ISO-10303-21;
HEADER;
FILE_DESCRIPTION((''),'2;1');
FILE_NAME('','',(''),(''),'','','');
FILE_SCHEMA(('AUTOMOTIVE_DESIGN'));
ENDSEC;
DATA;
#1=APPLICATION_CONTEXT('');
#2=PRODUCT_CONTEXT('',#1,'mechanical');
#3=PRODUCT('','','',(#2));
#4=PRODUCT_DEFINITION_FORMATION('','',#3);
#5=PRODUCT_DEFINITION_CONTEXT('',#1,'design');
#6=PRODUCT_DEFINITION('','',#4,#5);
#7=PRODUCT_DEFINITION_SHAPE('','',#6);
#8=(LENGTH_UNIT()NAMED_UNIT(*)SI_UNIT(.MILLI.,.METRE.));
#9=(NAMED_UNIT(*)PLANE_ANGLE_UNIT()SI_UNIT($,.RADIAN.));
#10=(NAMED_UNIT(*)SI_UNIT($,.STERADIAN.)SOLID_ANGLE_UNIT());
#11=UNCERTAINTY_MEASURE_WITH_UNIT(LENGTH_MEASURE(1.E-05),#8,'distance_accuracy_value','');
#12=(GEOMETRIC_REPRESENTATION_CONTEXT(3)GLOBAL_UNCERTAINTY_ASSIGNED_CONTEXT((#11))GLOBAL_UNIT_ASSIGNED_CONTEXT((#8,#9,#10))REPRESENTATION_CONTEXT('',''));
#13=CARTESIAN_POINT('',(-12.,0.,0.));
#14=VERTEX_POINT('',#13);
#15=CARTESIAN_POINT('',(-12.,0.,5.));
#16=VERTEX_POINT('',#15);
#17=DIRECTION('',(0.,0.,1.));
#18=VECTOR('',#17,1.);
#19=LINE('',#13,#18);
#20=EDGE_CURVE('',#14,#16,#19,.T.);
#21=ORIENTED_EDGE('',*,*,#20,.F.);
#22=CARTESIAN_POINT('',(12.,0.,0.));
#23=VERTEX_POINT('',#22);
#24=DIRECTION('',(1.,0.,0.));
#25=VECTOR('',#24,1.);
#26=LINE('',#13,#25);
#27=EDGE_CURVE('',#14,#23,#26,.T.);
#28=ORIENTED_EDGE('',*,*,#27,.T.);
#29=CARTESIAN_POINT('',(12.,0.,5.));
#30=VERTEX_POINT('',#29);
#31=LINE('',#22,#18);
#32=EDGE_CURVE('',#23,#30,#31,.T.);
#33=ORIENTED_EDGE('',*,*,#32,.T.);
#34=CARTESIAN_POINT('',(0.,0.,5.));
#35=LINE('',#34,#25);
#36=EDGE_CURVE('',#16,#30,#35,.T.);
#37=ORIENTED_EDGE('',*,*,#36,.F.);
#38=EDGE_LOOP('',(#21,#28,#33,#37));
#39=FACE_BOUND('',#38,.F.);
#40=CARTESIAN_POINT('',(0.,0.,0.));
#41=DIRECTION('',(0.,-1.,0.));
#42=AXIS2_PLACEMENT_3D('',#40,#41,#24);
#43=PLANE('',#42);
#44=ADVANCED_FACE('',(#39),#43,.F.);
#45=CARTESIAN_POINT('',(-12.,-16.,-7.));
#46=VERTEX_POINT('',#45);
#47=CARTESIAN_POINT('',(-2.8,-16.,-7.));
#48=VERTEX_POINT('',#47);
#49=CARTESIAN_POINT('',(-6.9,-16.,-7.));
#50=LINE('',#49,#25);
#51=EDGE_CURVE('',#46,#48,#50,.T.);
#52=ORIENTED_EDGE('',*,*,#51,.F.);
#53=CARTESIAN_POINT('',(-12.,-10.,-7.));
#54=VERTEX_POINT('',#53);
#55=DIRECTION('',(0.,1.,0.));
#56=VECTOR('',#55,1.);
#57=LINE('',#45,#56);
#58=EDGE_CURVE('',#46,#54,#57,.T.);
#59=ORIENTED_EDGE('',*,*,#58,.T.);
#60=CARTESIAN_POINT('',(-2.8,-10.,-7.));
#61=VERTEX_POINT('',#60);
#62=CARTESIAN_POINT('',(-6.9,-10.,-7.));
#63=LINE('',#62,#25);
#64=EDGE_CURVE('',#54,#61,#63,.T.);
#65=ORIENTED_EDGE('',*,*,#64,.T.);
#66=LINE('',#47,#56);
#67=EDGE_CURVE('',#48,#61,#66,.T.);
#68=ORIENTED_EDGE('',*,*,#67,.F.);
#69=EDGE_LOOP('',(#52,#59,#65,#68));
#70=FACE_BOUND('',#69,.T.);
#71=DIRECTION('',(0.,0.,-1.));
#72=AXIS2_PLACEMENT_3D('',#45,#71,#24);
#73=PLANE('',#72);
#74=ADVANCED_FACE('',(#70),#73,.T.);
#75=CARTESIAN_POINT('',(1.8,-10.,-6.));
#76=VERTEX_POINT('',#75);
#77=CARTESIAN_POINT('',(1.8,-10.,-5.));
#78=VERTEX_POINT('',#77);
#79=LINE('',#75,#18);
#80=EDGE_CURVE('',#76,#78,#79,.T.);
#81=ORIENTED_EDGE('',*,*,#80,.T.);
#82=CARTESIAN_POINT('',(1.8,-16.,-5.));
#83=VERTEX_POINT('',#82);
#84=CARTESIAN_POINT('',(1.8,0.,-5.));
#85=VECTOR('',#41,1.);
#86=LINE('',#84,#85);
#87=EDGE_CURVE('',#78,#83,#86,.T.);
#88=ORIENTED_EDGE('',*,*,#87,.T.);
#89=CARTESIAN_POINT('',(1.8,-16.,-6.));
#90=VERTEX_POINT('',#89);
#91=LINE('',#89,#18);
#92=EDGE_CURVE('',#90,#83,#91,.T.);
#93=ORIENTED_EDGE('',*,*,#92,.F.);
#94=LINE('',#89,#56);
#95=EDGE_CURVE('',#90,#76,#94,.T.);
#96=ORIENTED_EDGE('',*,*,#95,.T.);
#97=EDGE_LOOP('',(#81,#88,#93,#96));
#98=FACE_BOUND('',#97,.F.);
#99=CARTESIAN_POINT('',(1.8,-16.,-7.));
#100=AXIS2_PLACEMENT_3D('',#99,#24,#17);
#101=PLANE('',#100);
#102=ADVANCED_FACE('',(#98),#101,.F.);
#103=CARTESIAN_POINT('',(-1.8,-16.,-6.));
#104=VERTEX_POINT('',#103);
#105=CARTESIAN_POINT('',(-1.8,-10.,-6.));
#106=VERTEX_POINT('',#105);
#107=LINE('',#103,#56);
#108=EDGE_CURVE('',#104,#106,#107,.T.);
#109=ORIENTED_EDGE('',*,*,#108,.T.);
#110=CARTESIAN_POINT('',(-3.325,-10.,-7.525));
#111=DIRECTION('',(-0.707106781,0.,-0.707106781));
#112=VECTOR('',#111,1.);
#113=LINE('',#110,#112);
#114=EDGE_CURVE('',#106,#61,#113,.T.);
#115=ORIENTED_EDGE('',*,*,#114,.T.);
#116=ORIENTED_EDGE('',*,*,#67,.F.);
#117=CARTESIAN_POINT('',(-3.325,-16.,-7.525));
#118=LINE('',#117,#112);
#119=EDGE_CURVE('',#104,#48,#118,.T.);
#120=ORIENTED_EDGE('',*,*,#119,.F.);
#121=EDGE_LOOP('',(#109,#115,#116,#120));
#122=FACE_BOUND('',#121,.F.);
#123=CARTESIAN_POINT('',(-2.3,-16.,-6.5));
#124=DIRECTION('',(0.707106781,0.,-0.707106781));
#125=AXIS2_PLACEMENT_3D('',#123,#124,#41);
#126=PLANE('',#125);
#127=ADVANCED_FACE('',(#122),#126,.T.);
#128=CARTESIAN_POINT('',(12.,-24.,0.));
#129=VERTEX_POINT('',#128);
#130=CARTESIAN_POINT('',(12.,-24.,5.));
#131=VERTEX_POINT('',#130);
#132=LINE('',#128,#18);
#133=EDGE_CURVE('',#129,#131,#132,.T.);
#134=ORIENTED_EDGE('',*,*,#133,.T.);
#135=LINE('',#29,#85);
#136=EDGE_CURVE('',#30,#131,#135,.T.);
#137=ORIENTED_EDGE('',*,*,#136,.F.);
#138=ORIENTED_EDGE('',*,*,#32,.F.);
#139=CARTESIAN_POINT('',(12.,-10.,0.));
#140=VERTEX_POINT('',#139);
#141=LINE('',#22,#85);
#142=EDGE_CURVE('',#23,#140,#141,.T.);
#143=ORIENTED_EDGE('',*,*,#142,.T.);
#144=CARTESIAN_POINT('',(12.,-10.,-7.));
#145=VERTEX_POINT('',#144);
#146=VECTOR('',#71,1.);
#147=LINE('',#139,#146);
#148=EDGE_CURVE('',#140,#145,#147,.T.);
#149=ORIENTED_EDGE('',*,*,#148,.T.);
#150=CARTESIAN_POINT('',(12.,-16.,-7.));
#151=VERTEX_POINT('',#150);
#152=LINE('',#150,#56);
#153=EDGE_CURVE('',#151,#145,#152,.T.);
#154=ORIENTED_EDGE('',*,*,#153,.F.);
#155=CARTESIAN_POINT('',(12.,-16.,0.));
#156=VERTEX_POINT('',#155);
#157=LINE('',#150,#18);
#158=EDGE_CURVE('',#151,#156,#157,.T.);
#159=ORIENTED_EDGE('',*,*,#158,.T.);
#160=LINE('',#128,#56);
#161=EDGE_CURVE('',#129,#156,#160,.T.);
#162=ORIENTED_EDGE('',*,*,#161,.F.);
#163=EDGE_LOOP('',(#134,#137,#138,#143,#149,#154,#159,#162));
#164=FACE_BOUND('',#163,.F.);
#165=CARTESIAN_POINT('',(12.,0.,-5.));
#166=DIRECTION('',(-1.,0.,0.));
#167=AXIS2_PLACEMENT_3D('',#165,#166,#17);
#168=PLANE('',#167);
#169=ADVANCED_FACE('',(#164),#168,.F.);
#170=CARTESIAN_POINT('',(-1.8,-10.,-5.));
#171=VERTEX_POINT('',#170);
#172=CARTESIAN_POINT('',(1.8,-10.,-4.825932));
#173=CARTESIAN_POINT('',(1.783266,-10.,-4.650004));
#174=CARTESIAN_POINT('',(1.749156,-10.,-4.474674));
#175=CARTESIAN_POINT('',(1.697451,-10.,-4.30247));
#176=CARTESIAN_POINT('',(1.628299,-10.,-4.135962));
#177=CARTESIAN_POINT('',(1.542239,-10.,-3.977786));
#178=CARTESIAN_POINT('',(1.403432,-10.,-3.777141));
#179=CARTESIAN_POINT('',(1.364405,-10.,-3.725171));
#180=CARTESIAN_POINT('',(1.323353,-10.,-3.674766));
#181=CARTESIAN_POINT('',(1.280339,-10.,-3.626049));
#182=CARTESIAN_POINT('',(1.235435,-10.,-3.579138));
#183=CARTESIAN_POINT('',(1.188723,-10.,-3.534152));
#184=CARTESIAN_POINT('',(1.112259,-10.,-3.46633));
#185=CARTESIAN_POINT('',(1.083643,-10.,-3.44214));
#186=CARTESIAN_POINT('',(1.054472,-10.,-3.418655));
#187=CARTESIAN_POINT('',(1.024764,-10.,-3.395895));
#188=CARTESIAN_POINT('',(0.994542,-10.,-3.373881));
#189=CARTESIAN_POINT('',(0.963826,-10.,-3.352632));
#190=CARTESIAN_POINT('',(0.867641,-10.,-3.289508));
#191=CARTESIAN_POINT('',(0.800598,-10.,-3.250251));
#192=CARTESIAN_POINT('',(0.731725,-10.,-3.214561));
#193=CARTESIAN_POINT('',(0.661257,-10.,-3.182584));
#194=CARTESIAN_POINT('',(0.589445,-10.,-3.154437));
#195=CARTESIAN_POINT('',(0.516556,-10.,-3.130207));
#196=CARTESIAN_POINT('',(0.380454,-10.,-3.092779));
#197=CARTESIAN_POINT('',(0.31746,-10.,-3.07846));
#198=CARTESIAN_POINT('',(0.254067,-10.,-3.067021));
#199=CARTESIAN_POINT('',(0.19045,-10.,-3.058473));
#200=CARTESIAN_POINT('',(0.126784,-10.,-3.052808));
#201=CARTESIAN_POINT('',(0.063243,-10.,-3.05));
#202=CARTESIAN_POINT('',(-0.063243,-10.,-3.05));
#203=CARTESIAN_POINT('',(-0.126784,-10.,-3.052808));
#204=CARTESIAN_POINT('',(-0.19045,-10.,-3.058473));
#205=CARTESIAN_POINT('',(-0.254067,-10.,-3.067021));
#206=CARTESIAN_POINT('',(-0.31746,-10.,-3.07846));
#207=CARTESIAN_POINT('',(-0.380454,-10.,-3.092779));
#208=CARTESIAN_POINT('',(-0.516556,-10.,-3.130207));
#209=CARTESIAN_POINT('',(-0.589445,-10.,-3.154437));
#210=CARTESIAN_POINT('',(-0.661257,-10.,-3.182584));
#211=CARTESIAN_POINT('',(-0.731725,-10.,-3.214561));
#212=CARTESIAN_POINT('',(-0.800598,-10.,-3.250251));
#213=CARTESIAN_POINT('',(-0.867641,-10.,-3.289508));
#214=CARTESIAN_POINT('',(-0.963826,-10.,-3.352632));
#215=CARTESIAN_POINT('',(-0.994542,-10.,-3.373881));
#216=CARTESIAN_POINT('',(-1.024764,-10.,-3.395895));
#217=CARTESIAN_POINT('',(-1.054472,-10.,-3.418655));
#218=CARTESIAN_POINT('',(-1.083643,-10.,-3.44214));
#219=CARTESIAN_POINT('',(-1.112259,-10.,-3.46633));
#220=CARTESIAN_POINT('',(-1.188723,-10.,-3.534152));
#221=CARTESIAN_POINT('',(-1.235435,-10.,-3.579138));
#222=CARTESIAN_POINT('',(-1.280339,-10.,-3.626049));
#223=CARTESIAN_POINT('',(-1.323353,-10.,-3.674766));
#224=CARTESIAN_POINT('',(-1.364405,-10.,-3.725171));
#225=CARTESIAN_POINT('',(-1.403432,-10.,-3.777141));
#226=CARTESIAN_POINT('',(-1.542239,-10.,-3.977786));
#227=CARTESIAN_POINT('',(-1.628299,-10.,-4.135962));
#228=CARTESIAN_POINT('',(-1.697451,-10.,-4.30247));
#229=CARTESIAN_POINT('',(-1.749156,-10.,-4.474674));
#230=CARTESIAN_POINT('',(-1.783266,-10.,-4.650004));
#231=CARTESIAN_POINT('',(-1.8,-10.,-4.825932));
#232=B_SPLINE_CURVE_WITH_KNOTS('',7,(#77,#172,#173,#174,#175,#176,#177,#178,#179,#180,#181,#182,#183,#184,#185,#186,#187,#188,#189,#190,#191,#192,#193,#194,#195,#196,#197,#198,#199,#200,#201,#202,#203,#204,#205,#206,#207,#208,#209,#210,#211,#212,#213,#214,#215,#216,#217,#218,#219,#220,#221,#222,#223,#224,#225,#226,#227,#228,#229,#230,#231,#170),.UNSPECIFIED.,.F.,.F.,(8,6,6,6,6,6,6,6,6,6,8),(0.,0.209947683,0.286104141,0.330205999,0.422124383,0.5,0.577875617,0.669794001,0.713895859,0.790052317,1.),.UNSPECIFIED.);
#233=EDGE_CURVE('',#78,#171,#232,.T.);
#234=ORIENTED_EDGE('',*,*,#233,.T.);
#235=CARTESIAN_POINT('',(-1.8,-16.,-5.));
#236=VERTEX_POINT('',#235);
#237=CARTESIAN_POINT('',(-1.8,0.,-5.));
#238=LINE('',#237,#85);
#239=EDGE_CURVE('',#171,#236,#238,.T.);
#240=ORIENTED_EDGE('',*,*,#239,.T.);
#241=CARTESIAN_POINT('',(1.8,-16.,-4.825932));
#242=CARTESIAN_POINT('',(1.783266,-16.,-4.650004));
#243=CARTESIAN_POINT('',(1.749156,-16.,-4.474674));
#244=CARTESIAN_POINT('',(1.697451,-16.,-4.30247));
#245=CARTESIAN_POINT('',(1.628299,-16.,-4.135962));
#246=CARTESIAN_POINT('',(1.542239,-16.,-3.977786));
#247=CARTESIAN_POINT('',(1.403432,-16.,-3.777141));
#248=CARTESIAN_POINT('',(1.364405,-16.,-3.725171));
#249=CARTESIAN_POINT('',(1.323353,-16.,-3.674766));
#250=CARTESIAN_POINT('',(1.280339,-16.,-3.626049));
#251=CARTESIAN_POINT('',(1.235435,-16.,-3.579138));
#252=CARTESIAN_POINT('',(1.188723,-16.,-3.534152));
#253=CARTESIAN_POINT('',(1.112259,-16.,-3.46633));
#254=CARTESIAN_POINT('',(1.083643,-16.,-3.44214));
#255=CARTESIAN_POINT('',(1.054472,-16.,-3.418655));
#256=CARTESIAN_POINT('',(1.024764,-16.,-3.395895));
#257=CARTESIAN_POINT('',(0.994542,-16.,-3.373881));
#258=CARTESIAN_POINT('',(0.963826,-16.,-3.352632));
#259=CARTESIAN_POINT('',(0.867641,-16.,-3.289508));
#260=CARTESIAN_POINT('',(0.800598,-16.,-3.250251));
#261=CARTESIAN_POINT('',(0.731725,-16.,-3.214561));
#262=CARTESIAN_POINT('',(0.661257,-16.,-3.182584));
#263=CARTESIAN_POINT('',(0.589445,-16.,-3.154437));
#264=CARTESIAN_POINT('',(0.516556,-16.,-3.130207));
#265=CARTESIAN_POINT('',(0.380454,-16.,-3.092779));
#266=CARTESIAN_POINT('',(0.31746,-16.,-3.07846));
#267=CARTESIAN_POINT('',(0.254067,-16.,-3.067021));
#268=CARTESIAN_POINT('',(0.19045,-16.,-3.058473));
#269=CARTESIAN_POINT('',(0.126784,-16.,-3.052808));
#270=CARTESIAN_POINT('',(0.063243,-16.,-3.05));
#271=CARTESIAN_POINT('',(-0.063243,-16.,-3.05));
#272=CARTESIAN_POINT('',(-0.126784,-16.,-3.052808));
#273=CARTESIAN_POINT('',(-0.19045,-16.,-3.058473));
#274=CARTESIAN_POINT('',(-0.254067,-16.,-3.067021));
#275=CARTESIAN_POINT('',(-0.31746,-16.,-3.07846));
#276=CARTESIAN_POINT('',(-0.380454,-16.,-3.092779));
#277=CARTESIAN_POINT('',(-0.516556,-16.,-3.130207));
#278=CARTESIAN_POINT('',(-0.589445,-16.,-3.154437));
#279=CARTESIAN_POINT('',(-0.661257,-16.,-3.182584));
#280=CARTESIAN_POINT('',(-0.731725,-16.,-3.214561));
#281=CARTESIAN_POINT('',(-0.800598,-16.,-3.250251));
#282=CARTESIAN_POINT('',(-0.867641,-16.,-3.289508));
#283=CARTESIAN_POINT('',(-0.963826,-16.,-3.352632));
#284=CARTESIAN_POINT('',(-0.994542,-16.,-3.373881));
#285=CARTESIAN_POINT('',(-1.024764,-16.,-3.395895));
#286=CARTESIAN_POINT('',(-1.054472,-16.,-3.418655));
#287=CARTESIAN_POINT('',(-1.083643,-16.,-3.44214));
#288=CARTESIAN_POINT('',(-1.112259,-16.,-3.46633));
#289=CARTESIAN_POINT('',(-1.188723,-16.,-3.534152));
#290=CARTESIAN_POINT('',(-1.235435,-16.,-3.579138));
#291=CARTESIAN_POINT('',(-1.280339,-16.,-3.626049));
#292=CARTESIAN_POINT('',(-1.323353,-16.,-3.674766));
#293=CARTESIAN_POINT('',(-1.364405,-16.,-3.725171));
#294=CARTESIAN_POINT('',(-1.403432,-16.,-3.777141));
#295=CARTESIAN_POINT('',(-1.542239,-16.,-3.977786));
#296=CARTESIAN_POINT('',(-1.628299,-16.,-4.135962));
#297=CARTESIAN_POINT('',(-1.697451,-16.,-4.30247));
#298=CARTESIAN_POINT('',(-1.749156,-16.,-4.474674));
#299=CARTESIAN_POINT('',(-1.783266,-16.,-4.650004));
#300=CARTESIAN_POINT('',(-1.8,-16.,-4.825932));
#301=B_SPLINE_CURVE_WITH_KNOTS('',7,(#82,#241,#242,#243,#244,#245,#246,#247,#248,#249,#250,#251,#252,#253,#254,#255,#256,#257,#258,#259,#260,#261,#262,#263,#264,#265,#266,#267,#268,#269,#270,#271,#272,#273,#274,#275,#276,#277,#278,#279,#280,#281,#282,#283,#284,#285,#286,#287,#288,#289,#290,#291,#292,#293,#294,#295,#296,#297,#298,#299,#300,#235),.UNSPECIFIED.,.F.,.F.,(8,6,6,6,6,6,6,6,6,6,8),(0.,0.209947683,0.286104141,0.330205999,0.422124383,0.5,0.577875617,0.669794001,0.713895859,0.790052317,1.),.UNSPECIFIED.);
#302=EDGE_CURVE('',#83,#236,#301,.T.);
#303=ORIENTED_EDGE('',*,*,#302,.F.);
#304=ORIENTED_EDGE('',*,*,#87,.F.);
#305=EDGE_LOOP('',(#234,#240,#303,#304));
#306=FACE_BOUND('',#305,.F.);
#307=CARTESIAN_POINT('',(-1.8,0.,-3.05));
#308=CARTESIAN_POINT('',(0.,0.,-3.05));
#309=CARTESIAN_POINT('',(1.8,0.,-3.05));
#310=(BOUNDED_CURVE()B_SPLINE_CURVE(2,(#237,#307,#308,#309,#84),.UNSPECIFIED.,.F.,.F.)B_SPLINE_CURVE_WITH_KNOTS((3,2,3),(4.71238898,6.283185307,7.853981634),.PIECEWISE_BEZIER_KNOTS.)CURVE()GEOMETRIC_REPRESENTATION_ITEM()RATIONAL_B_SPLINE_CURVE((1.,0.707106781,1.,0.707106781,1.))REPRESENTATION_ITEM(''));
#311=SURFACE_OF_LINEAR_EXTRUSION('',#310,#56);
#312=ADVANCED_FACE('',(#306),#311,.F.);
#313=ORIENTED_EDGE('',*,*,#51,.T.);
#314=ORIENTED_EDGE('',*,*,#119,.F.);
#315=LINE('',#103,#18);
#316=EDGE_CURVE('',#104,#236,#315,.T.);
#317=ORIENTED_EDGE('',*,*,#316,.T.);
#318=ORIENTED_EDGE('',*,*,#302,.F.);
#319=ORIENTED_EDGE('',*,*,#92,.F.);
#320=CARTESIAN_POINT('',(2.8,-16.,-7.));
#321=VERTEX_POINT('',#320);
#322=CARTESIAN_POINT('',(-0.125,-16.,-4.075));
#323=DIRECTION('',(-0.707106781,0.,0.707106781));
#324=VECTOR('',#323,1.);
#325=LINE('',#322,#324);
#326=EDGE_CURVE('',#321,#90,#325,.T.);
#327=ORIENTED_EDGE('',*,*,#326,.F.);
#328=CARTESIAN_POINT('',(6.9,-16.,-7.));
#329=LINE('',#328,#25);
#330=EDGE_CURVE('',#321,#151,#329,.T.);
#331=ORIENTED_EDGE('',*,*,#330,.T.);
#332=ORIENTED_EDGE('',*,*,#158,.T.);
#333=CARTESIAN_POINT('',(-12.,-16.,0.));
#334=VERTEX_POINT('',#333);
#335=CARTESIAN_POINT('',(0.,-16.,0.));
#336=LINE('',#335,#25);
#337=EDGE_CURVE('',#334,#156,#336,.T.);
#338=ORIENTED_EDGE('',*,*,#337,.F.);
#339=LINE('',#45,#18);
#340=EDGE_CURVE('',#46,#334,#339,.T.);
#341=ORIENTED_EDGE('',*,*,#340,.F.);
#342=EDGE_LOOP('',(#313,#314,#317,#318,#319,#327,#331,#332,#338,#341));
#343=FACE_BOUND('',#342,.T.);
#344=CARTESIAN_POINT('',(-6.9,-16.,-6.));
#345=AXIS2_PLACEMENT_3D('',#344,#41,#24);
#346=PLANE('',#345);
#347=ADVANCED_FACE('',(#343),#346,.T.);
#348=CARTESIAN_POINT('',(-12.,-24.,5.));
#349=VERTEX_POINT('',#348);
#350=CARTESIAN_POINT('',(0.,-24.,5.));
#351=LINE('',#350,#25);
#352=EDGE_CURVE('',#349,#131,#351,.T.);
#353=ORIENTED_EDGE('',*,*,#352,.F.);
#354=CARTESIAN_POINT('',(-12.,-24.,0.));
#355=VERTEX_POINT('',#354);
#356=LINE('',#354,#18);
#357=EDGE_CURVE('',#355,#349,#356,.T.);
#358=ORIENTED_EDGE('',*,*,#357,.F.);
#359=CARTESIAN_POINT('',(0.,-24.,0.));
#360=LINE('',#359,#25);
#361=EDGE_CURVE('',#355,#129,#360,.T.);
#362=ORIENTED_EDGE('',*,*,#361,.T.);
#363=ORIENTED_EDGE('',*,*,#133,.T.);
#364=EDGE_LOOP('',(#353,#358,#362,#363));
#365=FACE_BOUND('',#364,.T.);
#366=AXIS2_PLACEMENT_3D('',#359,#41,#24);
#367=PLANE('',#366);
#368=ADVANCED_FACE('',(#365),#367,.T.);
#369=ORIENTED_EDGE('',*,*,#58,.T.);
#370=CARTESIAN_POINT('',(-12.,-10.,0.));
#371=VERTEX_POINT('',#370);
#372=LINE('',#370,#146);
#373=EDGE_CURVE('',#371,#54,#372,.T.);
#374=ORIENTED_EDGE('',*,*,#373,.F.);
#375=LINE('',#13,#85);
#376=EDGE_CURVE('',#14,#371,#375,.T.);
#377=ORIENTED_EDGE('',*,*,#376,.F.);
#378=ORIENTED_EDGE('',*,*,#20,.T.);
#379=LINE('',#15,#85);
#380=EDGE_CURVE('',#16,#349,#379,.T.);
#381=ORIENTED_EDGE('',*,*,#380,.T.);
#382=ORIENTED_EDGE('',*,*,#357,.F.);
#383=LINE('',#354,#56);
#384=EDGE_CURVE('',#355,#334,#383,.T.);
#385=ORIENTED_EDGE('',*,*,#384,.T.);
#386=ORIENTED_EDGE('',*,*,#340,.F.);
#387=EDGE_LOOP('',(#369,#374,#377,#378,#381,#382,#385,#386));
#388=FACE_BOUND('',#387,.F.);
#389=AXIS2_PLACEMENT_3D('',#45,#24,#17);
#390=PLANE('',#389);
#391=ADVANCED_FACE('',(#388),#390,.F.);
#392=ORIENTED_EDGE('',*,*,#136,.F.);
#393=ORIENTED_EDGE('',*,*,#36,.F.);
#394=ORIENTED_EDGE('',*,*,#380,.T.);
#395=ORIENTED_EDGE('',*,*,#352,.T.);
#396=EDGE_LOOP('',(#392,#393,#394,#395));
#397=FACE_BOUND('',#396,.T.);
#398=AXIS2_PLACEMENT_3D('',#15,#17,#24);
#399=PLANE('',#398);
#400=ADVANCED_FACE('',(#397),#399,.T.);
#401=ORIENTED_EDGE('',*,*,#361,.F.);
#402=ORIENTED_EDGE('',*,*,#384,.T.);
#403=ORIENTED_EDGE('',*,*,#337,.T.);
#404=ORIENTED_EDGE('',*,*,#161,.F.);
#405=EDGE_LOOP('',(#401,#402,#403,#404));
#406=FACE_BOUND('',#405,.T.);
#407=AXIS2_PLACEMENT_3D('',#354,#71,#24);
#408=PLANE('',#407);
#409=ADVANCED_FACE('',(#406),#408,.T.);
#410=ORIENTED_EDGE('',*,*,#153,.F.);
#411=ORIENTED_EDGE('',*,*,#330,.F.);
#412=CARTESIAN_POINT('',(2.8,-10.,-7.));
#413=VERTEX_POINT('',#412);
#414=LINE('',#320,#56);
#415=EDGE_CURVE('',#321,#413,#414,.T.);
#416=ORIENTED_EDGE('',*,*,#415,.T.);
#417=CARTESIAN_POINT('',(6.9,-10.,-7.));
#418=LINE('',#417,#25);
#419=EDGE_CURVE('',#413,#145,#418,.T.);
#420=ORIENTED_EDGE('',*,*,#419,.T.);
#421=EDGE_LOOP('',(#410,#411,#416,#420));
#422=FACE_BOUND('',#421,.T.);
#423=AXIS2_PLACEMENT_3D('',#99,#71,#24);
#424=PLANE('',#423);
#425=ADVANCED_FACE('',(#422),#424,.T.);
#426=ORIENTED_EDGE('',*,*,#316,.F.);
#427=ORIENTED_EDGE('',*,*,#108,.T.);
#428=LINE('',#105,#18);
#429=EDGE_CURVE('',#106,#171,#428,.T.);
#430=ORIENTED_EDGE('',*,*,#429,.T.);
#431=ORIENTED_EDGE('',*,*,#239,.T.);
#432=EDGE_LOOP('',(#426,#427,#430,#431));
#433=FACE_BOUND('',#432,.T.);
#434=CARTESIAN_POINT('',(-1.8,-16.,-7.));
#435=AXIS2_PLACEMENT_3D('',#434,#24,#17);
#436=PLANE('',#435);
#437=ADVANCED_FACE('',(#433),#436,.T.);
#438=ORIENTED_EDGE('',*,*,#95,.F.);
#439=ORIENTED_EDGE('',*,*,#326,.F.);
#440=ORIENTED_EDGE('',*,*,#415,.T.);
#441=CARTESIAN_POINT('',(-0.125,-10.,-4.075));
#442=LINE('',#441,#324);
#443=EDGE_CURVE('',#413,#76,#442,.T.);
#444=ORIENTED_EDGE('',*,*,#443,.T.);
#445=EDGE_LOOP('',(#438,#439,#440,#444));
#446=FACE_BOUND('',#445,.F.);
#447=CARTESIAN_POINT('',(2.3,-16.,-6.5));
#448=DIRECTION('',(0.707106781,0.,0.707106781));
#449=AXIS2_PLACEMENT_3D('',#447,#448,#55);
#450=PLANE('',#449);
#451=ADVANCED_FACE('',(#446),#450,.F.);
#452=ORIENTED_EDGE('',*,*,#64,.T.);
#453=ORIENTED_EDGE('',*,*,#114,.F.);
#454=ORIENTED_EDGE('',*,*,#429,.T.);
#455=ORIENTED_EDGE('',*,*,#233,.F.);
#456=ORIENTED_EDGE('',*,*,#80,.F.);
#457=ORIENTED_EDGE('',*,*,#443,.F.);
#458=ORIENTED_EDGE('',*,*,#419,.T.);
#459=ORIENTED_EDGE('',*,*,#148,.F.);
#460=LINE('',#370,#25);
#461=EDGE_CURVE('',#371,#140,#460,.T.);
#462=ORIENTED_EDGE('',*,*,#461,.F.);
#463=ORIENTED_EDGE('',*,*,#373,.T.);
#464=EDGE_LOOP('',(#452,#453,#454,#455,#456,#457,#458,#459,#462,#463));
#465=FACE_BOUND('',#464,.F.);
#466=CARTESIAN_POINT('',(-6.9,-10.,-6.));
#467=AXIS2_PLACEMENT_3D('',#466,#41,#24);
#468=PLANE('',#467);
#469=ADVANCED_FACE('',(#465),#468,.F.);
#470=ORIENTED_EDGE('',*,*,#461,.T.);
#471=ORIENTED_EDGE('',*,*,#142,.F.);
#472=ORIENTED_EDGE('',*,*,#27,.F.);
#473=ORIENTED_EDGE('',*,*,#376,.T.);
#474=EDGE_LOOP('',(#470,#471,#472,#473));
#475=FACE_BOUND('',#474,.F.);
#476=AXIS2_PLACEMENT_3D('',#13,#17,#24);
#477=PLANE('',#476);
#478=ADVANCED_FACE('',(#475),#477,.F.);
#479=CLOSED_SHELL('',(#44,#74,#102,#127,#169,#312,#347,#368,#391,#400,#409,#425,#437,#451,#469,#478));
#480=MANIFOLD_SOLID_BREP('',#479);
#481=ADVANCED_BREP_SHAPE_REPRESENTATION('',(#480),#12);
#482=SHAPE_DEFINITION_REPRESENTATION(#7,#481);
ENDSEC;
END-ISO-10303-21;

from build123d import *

# Parameters (mm, degrees)
F0_W     = 24
F0_H     = 10
F1_DEPTH = 24
F2_W     = 24
F2_H     = 5
F3_DEPTH = 8
F5_DEPTH = 24.001
F7_DEPTH = 10
F8_W     = 10.2
F8_H     = 2
F9_DEPTH = 6
F10_SIZE = 1


with BuildPart() as f1:
    # F0 (on Front) → F1 (new body)
    with BuildSketch(Plane.XZ):
        Rectangle(F0_W, F0_H)
    extrude(amount=F1_DEPTH)

    # F2 (on face) → F3 (cut)
    with BuildSketch(Plane.XZ.offset(24)):
        with Locations((0, -2.5)):
            Rectangle(F2_W, F2_H)
    extrude(amount=-F3_DEPTH, mode=Mode.SUBTRACT)

    # F4 (on face) → F5 (cut, through all)
    with BuildSketch(Plane(origin=(0, 0, 0), x_dir=(-1, 0, 0), z_dir=(0, 1, 0))):
        with BuildLine():
            Line((-1.8, -5), (1.8, -5))
            add(Edge.make_bspline(
                [(1.8, -5), (1.8, -3.05), (0, -3.05), (-1.8, -3.05), (-1.8, -5)],
                knots=[4.7123889804, 4.7123889804, 4.7123889804, 6.2831853072, 6.2831853072, 7.853981634, 7.853981634, 7.853981634], degree=2, weights=[1, 0.7071067812, 1, 0.7071067812, 1]))
        make_face()
    extrude(amount=-F5_DEPTH, mode=Mode.SUBTRACT)

    # F6 (on face) → F7 (cut)
    with BuildSketch(Plane(origin=(0, 0, 0), x_dir=(-1, 0, 0), z_dir=(0, 1, 0))):
        Polygon((-1.8, -5), (1.8, -5), (12, -5), (12, 0), (-12, 0), (-12, -5), align=None)
    extrude(amount=-F7_DEPTH, mode=Mode.SUBTRACT)

    # F8 (on face) → F9 (join, through all)
    with BuildSketch(Plane.XZ.offset(16)):
        with Locations((-6.9, -6)):
            Rectangle(F8_W, F8_H)
        with Locations((6.9, -6)):
            Rectangle(F8_W, F8_H)
    extrude(amount=-F9_DEPTH)

    # F10
    f10_edges = [f1.edges().sort_by_distance(p)[0] for p in [
        (-1.8, -13, -7),
        (1.8, -13, -7),
    ]]
    chamfer(f10_edges, length=F10_SIZE)


solid = f1.part
